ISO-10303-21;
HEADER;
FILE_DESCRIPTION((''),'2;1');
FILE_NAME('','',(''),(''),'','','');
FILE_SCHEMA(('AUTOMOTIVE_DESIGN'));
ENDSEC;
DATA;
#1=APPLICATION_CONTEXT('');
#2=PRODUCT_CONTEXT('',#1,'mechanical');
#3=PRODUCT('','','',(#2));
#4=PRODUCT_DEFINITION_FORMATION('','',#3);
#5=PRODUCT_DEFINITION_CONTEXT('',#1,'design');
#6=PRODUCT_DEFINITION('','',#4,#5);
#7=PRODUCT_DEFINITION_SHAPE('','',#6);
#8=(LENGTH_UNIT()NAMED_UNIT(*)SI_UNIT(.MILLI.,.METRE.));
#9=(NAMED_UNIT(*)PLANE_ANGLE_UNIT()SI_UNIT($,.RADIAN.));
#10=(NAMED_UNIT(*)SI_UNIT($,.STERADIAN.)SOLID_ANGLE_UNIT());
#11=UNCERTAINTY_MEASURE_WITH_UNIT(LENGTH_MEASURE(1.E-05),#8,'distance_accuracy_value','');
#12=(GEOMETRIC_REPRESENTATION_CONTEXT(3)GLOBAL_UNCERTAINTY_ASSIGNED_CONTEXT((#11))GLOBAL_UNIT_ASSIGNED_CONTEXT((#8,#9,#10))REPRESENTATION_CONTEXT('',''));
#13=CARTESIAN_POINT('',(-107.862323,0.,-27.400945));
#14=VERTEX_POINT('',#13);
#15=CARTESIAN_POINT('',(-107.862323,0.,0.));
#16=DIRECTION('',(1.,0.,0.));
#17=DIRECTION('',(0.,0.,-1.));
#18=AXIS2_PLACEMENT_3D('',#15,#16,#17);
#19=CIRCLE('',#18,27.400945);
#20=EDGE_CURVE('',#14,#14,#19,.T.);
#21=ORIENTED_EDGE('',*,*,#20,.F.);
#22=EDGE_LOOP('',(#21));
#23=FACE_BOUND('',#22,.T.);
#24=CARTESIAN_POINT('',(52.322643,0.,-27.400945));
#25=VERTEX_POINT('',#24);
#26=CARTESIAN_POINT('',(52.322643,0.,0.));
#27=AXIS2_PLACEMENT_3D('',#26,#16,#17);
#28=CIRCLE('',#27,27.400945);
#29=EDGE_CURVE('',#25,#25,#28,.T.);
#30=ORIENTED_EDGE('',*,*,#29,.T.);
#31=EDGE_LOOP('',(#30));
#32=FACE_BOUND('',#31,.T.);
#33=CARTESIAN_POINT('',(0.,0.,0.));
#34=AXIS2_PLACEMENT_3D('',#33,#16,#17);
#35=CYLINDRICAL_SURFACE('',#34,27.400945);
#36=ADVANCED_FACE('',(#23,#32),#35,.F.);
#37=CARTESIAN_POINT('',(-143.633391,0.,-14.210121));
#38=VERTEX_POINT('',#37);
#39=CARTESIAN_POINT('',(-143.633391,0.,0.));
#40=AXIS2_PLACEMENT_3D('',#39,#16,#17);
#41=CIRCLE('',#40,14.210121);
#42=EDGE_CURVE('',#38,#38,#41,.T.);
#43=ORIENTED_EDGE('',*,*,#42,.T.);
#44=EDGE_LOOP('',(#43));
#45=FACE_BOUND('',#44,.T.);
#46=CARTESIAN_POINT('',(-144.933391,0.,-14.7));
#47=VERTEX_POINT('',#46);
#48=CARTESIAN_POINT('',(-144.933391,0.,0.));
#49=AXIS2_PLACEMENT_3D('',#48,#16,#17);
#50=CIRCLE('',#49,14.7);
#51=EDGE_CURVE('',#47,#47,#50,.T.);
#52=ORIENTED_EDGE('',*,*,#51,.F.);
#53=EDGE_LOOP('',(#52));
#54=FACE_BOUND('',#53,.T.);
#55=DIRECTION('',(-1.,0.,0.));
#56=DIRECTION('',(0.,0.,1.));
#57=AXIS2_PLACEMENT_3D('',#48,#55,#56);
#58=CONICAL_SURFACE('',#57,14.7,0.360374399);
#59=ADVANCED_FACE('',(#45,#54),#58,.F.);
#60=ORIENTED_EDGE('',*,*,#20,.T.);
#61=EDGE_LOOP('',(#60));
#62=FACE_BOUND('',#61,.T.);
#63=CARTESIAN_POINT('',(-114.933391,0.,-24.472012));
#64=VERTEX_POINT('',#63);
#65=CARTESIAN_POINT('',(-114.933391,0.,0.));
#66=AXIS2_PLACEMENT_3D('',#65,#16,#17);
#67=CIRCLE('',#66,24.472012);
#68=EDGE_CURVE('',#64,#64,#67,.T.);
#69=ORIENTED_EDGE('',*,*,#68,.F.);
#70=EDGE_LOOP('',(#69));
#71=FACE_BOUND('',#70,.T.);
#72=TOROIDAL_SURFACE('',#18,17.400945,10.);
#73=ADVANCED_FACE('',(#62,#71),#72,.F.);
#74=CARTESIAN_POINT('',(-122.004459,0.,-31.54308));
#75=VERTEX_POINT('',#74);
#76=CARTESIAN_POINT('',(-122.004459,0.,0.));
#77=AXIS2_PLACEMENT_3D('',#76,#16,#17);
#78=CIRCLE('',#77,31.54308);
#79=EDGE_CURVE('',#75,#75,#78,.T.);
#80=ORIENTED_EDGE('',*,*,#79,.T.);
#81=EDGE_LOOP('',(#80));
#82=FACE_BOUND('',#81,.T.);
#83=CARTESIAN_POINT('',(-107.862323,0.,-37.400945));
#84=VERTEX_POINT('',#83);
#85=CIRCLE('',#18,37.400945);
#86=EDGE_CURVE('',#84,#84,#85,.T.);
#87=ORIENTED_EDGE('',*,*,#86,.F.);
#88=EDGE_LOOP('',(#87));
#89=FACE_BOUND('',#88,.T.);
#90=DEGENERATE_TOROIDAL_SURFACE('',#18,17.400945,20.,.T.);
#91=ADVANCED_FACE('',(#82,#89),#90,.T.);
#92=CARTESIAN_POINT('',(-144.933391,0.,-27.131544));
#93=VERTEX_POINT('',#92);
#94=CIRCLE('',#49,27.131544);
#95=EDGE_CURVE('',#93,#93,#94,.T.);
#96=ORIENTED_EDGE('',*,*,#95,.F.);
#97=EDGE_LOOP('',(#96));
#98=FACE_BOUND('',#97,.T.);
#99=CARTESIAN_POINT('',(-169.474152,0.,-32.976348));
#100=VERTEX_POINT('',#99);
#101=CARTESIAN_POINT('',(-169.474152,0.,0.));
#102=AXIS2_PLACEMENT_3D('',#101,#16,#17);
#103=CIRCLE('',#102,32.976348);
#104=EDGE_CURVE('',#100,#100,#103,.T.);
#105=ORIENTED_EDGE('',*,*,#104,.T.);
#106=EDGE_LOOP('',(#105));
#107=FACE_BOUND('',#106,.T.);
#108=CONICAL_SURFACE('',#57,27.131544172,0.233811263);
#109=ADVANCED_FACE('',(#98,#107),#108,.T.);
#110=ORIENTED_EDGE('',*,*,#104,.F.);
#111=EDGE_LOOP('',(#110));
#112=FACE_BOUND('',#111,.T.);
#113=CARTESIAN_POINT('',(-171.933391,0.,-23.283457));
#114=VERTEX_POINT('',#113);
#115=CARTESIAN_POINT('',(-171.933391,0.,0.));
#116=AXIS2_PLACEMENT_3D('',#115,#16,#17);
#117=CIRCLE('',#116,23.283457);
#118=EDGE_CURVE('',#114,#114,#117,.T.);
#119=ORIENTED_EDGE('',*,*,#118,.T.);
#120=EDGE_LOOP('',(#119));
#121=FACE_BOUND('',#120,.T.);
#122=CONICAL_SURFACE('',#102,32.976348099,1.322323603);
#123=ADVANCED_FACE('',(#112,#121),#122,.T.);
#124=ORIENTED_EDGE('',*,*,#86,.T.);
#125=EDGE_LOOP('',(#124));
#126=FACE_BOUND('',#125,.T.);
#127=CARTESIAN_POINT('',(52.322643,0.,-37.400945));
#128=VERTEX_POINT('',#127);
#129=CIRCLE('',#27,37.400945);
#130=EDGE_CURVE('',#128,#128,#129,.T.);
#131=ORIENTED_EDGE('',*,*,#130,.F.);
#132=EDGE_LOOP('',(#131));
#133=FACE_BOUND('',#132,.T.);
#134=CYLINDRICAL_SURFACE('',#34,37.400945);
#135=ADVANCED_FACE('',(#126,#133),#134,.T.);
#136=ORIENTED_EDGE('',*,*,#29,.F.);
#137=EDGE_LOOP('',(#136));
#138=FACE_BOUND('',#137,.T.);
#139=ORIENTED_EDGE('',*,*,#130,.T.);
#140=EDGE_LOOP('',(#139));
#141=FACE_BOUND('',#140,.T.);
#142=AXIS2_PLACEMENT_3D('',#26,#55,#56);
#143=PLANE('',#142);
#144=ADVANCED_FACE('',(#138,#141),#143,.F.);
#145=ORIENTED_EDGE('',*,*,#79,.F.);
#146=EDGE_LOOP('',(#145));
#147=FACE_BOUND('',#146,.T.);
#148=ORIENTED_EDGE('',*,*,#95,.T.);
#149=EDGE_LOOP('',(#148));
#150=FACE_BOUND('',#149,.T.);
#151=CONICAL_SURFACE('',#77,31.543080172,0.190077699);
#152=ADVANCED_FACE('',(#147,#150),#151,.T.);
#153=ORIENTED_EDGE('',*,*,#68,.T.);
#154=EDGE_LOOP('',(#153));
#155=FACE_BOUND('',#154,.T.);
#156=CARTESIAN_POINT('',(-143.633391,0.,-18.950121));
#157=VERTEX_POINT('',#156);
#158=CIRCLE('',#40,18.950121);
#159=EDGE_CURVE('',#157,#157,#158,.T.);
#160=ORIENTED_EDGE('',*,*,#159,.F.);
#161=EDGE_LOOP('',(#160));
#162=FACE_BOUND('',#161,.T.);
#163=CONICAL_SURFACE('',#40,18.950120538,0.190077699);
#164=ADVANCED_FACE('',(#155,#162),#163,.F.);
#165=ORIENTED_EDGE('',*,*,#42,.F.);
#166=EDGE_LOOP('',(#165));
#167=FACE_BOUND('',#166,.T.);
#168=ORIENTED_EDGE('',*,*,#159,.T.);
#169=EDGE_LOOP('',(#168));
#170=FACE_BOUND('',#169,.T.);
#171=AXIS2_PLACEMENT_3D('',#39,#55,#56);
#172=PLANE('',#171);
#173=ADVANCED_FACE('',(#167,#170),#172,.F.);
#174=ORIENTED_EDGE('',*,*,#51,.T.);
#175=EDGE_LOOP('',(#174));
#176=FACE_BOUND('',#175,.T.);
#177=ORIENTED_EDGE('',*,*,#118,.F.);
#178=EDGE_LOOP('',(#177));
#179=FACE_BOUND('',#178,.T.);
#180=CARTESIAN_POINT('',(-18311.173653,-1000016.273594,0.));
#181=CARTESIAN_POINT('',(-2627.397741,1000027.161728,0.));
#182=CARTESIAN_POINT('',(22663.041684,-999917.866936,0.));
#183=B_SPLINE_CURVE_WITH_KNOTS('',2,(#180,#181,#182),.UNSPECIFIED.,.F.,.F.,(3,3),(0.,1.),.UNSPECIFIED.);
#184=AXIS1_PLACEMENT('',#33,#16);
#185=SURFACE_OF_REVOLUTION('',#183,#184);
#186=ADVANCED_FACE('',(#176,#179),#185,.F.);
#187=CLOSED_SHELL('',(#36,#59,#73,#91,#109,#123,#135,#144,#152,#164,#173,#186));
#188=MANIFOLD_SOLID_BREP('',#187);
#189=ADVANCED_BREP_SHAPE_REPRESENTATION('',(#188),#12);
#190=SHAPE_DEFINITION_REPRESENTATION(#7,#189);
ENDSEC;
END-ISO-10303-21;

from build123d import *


with BuildPart() as part:
    # Sketch1 → Revolve1 (revolve)
    with BuildSketch(Plane.XY, mode=Mode.PRIVATE) as revolve1_sk:
        with BuildLine():
            Line((52.322643444, 27.400944548), (-107.862323025, 27.400944548))
            ThreePointArc((-107.862323025, 27.400944548), (-111.689157349, 26.639739873), (-114.933390837, 24.47201236))
            Line((-114.933390837, 24.47201236), (-143.633390837, 18.950120538))
            Line((-143.633390837, 18.950120538), (-143.633390837, 14.210120538))
            Line((-143.633390837, 14.210120538), (-144.933390837, 14.7))
            add(Edge.make_bspline(
                [(-171.933390837, 23.283456642), (-158.435473315, 19.858823042), (-144.933390837, 14.7)],
                knots=[0, 0, 0, 1, 1, 1], degree=2))
            Line((-171.933390837, 23.283456642), (-169.474152094, 32.976348099))
            Line((-169.474152094, 32.976348099), (-144.933390837, 27.131544172))
            Line((-144.933390837, 27.131544172), (-122.004458649, 31.543080172))
            ThreePointArc((-122.004458649, 31.543080172), (-115.515991673, 35.878535198), (-107.862323025, 37.400944548))
            Line((-107.862323025, 37.400944548), (52.322643444, 37.400944548))
            Line((52.322643444, 37.400944548), (52.322643444, 27.400944548))
        make_face()
    revolve(revolve1_sk.sketch.rotate(Axis((0, 0, 0), (-1, 0, 0)), 90), axis=Axis((0, 0, 0), (-1, 0, 0)))


solid = part.part
